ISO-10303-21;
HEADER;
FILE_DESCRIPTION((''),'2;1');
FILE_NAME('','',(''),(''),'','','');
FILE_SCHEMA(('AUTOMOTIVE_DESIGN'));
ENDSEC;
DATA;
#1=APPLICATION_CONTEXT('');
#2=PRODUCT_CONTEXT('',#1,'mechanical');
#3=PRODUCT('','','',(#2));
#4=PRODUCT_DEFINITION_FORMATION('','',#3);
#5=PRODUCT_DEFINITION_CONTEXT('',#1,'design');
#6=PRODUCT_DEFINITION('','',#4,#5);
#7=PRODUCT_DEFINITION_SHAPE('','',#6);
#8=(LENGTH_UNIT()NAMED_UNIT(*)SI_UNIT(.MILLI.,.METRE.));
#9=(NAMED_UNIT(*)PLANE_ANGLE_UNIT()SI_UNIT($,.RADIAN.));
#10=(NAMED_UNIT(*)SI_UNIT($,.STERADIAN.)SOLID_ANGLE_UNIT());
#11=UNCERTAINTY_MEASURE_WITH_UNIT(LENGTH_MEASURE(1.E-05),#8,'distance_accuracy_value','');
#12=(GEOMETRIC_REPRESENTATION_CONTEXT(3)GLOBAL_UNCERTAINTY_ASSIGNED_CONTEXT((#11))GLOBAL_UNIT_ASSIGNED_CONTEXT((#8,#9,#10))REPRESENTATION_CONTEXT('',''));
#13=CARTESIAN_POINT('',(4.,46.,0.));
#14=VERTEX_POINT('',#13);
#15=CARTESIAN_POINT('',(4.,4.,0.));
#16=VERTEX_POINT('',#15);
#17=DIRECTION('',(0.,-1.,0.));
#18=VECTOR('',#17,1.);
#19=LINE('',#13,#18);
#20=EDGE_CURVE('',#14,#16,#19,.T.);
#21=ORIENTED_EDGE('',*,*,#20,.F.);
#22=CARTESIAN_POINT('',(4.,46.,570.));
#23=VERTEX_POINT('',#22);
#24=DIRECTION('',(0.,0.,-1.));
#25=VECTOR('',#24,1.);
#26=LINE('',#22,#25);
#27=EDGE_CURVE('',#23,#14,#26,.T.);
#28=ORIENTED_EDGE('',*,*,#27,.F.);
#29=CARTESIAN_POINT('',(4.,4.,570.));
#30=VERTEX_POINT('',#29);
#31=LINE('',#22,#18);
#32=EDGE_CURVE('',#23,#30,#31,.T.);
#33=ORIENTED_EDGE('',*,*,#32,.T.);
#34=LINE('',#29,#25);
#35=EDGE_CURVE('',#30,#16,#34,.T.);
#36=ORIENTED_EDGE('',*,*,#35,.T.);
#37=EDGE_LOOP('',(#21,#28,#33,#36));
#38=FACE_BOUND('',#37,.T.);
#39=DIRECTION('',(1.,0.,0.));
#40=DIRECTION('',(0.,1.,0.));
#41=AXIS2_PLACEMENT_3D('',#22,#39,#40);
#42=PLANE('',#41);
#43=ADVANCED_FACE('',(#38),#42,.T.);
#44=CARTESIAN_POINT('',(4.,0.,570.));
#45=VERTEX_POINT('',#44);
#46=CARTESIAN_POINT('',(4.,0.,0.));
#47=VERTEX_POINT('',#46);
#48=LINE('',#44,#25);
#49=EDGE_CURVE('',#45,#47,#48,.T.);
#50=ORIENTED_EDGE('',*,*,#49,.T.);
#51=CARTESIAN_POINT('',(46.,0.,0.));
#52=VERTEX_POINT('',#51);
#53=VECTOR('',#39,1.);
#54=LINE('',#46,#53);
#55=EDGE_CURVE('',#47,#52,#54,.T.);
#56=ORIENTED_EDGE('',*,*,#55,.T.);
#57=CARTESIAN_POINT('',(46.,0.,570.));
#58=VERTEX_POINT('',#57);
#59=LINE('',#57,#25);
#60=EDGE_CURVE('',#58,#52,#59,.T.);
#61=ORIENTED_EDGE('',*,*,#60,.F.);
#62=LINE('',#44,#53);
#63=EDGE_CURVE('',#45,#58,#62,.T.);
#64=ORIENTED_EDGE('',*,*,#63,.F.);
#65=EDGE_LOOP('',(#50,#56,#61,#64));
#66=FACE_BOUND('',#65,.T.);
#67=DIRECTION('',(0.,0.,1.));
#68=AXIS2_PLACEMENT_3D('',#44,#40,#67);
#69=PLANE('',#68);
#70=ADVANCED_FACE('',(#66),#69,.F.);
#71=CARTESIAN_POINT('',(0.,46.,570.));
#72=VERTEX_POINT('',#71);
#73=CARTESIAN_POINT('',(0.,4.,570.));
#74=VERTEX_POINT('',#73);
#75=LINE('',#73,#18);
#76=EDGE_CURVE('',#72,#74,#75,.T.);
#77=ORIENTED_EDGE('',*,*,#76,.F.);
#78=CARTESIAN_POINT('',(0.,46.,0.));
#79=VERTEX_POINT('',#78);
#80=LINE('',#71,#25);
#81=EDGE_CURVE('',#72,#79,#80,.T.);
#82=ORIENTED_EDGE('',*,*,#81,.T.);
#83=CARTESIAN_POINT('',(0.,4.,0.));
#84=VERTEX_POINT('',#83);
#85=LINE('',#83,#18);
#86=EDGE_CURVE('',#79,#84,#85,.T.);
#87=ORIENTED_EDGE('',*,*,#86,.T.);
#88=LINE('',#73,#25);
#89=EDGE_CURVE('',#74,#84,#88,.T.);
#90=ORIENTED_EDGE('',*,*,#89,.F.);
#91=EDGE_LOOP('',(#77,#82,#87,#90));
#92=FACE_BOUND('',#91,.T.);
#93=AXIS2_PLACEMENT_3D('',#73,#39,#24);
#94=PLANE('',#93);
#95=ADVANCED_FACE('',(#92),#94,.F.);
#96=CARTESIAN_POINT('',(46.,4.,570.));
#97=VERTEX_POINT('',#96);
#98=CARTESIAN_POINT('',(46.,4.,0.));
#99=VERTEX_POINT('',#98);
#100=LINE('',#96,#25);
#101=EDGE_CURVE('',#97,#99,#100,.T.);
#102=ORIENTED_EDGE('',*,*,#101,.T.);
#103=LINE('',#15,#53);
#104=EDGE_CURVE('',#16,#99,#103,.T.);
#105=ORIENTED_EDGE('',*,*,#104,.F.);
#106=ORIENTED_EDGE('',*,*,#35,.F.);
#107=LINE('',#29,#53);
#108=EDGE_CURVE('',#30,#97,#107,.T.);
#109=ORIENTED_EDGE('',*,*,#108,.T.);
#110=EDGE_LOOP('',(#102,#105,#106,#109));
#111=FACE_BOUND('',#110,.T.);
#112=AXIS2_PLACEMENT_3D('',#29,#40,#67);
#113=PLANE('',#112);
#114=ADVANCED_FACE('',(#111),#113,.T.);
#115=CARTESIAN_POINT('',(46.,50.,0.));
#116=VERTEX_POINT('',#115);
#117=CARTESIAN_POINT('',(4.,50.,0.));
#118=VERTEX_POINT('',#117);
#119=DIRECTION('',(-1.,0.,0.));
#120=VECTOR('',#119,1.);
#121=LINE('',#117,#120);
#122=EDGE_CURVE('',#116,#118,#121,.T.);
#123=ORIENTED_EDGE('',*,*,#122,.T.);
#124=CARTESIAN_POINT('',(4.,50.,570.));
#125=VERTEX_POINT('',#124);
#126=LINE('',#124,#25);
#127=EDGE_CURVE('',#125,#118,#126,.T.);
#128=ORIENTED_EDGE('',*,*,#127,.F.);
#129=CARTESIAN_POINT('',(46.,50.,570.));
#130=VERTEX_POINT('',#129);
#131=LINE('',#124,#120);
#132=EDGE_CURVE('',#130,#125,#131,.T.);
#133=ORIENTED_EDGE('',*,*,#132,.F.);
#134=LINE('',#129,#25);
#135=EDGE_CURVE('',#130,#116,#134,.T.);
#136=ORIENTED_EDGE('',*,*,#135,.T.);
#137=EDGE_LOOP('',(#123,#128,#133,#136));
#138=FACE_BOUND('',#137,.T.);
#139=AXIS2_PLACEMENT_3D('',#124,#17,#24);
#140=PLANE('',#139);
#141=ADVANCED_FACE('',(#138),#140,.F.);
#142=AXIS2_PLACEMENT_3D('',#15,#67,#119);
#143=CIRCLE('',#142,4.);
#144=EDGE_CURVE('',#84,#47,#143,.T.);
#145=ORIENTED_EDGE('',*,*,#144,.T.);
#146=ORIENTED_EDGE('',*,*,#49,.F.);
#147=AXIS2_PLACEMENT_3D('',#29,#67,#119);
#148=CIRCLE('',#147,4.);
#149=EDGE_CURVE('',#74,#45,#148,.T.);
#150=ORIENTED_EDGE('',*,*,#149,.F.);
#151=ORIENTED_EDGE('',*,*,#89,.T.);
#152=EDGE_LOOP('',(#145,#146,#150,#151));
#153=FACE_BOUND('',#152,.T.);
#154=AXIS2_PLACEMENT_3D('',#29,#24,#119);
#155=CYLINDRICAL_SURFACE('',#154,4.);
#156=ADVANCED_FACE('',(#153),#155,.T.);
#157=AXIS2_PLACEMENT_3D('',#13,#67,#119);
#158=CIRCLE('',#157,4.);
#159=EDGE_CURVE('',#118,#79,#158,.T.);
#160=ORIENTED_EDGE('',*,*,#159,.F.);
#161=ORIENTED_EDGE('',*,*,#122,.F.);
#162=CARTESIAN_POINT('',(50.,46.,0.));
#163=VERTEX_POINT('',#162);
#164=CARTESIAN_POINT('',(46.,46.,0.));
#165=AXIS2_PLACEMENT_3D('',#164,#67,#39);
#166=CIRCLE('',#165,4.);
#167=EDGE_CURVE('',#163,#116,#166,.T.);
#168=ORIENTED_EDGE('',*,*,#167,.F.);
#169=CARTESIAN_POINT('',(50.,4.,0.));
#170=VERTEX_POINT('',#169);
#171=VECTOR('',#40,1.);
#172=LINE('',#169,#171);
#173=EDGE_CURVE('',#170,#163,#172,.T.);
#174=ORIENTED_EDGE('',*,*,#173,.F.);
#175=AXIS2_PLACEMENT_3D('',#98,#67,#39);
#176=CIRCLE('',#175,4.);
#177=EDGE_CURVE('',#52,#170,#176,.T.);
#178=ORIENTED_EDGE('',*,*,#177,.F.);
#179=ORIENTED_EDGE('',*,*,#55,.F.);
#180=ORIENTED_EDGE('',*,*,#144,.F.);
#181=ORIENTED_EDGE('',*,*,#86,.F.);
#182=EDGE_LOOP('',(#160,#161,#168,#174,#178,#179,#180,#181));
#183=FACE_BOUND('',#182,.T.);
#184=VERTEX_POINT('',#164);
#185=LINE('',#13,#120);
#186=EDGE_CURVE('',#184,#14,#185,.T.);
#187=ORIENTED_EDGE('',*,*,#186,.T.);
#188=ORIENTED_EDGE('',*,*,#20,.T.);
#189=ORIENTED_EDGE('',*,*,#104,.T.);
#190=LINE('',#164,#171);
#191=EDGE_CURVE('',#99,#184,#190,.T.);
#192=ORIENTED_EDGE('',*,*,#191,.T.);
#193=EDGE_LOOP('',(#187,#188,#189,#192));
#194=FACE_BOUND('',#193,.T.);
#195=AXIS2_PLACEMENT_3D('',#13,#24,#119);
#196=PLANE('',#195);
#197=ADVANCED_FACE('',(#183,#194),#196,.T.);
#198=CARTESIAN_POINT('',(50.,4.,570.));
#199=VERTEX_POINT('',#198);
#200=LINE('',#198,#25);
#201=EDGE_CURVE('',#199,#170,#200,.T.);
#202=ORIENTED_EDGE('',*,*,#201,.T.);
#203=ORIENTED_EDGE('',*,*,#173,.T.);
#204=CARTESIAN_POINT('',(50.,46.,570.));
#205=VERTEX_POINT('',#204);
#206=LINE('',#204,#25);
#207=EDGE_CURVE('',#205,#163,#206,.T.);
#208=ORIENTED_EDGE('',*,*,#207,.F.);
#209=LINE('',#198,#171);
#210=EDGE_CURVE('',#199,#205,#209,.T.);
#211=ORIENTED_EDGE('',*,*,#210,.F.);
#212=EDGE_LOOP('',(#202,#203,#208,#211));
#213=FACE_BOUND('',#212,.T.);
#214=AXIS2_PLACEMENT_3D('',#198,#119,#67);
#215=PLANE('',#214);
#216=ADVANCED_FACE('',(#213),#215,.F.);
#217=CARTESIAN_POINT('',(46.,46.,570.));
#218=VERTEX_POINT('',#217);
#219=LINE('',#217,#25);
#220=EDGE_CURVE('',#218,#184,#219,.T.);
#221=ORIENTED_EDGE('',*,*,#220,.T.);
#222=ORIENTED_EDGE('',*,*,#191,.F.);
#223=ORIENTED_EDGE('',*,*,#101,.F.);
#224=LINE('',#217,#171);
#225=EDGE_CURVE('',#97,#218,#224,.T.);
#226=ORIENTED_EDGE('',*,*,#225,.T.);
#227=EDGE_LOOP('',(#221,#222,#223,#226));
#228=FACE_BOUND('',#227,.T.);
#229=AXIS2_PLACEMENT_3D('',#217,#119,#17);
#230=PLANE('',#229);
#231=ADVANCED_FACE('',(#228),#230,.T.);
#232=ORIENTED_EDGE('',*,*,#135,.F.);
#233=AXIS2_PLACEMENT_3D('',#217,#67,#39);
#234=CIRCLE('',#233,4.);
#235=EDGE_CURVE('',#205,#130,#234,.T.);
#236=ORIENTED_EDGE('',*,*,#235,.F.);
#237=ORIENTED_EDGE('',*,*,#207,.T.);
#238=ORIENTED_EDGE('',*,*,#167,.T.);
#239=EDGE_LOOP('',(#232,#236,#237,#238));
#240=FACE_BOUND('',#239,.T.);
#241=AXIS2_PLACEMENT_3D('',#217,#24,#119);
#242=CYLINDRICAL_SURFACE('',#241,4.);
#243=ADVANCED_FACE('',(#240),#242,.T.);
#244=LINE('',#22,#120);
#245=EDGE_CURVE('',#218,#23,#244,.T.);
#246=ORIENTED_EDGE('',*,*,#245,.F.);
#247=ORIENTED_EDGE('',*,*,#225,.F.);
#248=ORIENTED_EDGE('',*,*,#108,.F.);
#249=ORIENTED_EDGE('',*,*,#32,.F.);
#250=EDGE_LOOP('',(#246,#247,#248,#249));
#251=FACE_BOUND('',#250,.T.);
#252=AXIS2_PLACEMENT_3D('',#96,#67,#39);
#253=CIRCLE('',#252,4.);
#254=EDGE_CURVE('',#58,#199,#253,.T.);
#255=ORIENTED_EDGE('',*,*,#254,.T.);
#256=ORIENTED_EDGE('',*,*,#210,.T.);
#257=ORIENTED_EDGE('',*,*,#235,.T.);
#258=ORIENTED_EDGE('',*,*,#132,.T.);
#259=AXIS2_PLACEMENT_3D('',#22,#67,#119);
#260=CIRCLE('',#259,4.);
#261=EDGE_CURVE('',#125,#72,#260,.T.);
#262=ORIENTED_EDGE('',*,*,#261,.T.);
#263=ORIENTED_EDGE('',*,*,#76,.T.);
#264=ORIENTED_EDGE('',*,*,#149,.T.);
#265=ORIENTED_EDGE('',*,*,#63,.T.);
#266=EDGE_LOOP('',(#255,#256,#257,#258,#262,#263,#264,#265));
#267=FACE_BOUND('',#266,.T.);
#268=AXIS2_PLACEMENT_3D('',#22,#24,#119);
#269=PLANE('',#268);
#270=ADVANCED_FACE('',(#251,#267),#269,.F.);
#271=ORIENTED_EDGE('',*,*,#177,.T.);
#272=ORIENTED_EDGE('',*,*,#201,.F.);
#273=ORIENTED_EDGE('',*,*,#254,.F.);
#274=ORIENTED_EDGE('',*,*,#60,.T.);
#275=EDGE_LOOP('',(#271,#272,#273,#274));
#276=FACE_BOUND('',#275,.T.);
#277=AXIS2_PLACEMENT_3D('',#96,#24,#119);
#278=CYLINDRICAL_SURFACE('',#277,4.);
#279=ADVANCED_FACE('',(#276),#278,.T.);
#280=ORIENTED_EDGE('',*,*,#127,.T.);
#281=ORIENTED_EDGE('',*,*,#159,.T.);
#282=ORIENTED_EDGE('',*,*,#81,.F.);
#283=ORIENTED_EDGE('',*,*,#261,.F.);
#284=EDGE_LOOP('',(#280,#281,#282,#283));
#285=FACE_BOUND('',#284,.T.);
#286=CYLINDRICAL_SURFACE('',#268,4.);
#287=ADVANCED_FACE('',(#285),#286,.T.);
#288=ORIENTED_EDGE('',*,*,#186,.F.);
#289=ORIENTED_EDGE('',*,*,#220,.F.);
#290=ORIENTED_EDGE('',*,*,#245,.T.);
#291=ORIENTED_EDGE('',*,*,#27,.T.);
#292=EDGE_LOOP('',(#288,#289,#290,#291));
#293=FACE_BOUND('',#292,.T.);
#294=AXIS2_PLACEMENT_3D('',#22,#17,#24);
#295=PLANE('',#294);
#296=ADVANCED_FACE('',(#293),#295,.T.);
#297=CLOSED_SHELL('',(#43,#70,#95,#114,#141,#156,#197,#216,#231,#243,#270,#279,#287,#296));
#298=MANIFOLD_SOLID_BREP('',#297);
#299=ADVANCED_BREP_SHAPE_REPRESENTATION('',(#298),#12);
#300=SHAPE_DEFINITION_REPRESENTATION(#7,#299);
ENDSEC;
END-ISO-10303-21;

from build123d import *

# Parameters (mm, degrees)
SKETCH_1_W      = 42
SKETCH_1_H      = 42
EXTRUDE_1_DEPTH = 570


with BuildPart() as part:
    # Эскиз1 → Бобышка-Вытянуть1 (new body)
    with BuildSketch(Plane.XY):
        with BuildLine():
            Line((4, 0), (46, 0))
            ThreePointArc((46, 0), (48.828427125, 1.171572875), (50, 4))
            Line((50, 4), (50, 46))
            ThreePointArc((50, 46), (48.828427125, 48.828427125), (46, 50))
            Line((46, 50), (4, 50))
            ThreePointArc((4, 50), (1.171572875, 48.828427125), (0, 46))
            Line((0, 46), (0, 4))
            ThreePointArc((0, 4), (1.171572875, 1.171572875), (4, 0))
        make_face()
        with Locations((25, 25)):
            Rectangle(SKETCH_1_W, SKETCH_1_H, mode=Mode.SUBTRACT)
    extrude(amount=EXTRUDE_1_DEPTH)


solid = part.part
